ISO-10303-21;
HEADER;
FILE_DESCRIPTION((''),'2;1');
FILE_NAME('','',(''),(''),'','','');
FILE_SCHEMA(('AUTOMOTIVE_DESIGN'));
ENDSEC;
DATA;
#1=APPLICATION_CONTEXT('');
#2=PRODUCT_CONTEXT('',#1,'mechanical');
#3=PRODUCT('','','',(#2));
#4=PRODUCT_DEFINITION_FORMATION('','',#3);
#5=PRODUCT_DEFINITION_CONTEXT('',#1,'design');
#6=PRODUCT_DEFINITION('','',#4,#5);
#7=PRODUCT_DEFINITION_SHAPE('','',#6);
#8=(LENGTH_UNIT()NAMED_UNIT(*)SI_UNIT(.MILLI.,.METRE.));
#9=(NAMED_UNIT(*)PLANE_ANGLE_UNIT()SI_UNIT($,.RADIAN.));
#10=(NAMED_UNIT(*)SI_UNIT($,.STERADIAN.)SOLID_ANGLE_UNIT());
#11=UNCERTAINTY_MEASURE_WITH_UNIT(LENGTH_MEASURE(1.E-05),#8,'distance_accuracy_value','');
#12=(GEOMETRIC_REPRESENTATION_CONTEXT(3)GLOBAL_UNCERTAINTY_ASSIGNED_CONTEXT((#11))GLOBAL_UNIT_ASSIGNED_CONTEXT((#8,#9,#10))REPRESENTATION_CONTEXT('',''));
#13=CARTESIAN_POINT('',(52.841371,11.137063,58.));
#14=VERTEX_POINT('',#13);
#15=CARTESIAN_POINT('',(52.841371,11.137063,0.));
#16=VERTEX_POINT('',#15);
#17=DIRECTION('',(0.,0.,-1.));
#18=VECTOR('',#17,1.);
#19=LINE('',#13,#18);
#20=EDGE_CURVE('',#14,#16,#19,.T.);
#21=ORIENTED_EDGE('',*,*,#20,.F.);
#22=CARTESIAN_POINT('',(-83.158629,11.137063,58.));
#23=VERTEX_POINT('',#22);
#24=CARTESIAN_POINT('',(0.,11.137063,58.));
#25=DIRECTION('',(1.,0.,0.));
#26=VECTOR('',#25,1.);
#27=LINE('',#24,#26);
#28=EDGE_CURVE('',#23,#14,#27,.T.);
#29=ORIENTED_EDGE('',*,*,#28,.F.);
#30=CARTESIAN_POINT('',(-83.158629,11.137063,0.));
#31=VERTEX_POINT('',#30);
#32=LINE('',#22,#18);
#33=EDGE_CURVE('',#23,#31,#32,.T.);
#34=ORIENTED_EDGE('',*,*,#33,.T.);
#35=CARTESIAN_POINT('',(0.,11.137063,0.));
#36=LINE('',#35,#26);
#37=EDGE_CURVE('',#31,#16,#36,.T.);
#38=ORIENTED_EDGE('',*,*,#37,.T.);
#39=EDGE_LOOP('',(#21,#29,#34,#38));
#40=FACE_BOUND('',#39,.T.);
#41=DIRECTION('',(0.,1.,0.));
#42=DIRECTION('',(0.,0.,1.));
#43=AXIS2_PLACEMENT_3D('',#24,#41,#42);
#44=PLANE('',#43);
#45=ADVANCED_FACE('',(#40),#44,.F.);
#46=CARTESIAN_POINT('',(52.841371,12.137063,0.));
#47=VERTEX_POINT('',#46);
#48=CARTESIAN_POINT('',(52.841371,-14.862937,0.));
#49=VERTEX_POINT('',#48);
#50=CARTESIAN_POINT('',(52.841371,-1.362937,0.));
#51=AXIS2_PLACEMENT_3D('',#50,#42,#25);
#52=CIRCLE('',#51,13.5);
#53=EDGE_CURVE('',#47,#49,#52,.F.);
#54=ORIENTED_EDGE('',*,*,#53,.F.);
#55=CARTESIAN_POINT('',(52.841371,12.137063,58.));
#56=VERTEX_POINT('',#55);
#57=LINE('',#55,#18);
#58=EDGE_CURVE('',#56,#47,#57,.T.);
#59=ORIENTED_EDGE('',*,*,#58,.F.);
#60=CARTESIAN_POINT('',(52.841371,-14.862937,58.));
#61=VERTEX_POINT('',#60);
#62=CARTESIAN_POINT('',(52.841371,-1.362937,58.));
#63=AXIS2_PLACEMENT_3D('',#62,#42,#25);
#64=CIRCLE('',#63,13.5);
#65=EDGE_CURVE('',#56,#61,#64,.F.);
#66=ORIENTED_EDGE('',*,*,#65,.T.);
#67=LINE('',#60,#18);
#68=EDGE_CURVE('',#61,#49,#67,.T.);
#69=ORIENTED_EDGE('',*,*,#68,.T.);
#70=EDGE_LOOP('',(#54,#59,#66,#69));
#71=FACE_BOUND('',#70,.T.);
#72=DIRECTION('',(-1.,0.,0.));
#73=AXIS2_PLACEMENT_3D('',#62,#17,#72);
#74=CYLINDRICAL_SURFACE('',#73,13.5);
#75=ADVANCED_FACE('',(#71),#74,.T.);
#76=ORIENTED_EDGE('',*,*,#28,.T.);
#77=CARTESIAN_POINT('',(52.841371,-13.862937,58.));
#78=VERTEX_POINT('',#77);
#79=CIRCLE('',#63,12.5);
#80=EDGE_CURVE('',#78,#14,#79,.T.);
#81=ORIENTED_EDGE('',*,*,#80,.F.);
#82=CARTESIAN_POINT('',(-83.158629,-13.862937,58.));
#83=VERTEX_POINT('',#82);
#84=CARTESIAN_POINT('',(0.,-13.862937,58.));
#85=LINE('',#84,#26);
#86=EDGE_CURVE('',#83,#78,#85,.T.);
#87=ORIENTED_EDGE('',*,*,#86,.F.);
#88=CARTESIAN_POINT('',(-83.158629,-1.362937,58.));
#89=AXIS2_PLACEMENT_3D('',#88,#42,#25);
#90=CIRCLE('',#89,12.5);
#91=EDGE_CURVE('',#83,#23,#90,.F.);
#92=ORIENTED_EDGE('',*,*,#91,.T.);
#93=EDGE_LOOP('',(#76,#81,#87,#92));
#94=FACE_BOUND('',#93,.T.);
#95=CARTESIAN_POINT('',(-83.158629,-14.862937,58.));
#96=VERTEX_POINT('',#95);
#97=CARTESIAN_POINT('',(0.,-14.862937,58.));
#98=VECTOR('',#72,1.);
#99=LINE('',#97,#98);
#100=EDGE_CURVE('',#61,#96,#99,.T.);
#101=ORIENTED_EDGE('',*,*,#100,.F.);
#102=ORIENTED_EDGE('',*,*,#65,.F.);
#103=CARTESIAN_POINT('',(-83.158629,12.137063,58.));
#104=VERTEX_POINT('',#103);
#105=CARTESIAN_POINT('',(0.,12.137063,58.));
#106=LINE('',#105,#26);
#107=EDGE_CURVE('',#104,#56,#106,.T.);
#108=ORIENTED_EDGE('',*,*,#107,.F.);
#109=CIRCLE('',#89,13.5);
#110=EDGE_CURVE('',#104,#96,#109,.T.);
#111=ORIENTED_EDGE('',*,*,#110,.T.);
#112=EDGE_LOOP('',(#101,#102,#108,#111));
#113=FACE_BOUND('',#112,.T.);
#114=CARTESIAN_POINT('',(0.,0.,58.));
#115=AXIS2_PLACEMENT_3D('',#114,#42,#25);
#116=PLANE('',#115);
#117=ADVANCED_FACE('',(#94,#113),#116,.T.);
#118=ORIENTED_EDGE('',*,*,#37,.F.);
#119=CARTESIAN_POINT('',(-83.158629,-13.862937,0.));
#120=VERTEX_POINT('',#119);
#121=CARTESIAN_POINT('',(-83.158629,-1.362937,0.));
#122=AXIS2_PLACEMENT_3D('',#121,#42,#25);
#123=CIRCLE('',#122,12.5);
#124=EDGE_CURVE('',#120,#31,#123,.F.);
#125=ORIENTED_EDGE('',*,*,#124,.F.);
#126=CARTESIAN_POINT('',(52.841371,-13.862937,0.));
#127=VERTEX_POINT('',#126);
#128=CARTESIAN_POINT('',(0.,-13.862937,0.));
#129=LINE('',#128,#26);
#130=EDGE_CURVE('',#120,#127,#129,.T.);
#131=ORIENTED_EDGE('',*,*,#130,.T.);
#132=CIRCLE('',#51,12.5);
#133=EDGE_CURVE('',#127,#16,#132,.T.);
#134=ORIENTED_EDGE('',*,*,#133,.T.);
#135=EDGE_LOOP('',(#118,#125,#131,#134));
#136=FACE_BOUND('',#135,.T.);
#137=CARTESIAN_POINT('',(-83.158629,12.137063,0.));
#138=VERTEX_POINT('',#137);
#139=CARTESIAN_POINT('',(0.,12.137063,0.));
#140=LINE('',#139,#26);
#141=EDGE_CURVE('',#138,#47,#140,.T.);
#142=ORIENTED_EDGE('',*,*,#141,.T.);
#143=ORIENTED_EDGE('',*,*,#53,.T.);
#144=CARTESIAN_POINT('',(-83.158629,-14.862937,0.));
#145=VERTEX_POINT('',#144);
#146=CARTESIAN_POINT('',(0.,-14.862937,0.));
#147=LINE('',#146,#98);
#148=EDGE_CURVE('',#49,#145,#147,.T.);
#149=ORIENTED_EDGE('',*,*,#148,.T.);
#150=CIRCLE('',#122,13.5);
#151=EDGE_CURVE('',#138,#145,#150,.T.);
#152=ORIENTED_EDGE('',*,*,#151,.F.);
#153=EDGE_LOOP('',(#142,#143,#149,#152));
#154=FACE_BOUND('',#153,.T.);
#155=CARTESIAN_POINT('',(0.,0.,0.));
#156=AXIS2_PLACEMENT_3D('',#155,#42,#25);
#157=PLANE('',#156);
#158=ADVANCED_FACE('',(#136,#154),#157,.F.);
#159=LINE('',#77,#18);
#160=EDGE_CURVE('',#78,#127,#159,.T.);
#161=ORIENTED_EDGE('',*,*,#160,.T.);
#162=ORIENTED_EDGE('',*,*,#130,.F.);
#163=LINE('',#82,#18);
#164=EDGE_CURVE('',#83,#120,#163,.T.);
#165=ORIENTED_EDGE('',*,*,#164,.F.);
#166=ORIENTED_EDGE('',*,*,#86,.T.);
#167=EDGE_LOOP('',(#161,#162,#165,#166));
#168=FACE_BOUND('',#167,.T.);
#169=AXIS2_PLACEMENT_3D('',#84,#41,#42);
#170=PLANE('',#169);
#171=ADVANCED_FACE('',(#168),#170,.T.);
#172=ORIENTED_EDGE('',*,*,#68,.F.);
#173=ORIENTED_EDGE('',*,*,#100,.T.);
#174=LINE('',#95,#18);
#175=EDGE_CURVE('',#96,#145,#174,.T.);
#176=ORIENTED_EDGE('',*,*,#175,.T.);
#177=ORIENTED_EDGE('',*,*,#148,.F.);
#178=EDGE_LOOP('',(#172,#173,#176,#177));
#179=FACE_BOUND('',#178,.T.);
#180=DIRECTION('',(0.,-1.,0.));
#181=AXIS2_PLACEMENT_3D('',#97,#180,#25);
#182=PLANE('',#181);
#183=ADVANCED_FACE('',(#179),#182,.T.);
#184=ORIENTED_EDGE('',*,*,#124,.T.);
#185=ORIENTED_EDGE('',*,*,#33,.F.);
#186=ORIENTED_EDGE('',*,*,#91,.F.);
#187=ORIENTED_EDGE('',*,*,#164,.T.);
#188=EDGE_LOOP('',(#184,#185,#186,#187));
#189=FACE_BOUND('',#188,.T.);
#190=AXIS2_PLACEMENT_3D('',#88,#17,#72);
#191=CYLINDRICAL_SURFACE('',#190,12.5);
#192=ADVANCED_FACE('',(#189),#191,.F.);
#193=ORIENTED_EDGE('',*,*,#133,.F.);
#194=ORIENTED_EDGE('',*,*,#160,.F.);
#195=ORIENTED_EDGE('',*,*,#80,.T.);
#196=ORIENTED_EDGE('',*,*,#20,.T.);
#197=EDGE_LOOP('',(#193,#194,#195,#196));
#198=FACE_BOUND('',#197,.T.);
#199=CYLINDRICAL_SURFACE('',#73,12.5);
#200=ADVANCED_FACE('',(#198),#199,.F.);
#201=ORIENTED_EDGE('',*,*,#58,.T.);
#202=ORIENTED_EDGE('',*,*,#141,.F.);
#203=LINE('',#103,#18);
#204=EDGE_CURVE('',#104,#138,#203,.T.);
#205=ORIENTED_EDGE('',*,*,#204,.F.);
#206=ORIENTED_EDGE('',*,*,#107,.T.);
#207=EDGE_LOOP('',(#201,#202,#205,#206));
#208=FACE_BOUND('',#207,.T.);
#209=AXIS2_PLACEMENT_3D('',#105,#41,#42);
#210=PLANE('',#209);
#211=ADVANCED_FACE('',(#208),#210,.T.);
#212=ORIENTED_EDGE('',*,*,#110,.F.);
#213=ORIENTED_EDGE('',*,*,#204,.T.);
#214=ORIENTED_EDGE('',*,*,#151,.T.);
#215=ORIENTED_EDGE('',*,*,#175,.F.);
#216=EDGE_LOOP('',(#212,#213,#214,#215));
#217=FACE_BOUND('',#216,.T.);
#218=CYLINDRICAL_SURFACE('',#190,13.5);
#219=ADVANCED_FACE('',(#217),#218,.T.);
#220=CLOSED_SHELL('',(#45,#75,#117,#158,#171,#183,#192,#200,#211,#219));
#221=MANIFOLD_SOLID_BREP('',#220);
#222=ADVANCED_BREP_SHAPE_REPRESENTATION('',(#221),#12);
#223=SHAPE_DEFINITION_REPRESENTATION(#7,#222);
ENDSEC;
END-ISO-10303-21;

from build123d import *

# Parameters (mm, degrees)
BOSS_EXTRUDE1_DEPTH = 58


with BuildPart() as part:
    # Sketch1 → Boss-Extrude1 (new body)
    with BuildSketch(Plane.XY):
        with BuildLine():
            ThreePointArc((52.841370729, 12.137062925), (66.341370729, -1.362937075), (52.841370729, -14.862937075))
            Line((52.841370729, -14.862937075), (-83.158629271, -14.862937075))
            ThreePointArc((-83.158629271, -14.862937075), (-96.658629271, -1.362937075), (-83.158629271, 12.137062925))
            Line((-83.158629271, 12.137062925), (52.841370729, 12.137062925))
        make_face()
        with BuildLine():
            ThreePointArc((52.841370729, -13.862937075), (65.341370729, -1.362937075), (52.841370729, 11.137062925))
            Line((52.841370729, 11.137062925), (-83.158629271, 11.137062925))
            ThreePointArc((-83.158629271, 11.137062925), (-95.658629271, -1.362937075), (-83.158629271, -13.862937075))
            Line((-83.158629271, -13.862937075), (52.841370729, -13.862937075))
        make_face(mode=Mode.SUBTRACT)
    extrude(amount=BOSS_EXTRUDE1_DEPTH)


solid = part.part
